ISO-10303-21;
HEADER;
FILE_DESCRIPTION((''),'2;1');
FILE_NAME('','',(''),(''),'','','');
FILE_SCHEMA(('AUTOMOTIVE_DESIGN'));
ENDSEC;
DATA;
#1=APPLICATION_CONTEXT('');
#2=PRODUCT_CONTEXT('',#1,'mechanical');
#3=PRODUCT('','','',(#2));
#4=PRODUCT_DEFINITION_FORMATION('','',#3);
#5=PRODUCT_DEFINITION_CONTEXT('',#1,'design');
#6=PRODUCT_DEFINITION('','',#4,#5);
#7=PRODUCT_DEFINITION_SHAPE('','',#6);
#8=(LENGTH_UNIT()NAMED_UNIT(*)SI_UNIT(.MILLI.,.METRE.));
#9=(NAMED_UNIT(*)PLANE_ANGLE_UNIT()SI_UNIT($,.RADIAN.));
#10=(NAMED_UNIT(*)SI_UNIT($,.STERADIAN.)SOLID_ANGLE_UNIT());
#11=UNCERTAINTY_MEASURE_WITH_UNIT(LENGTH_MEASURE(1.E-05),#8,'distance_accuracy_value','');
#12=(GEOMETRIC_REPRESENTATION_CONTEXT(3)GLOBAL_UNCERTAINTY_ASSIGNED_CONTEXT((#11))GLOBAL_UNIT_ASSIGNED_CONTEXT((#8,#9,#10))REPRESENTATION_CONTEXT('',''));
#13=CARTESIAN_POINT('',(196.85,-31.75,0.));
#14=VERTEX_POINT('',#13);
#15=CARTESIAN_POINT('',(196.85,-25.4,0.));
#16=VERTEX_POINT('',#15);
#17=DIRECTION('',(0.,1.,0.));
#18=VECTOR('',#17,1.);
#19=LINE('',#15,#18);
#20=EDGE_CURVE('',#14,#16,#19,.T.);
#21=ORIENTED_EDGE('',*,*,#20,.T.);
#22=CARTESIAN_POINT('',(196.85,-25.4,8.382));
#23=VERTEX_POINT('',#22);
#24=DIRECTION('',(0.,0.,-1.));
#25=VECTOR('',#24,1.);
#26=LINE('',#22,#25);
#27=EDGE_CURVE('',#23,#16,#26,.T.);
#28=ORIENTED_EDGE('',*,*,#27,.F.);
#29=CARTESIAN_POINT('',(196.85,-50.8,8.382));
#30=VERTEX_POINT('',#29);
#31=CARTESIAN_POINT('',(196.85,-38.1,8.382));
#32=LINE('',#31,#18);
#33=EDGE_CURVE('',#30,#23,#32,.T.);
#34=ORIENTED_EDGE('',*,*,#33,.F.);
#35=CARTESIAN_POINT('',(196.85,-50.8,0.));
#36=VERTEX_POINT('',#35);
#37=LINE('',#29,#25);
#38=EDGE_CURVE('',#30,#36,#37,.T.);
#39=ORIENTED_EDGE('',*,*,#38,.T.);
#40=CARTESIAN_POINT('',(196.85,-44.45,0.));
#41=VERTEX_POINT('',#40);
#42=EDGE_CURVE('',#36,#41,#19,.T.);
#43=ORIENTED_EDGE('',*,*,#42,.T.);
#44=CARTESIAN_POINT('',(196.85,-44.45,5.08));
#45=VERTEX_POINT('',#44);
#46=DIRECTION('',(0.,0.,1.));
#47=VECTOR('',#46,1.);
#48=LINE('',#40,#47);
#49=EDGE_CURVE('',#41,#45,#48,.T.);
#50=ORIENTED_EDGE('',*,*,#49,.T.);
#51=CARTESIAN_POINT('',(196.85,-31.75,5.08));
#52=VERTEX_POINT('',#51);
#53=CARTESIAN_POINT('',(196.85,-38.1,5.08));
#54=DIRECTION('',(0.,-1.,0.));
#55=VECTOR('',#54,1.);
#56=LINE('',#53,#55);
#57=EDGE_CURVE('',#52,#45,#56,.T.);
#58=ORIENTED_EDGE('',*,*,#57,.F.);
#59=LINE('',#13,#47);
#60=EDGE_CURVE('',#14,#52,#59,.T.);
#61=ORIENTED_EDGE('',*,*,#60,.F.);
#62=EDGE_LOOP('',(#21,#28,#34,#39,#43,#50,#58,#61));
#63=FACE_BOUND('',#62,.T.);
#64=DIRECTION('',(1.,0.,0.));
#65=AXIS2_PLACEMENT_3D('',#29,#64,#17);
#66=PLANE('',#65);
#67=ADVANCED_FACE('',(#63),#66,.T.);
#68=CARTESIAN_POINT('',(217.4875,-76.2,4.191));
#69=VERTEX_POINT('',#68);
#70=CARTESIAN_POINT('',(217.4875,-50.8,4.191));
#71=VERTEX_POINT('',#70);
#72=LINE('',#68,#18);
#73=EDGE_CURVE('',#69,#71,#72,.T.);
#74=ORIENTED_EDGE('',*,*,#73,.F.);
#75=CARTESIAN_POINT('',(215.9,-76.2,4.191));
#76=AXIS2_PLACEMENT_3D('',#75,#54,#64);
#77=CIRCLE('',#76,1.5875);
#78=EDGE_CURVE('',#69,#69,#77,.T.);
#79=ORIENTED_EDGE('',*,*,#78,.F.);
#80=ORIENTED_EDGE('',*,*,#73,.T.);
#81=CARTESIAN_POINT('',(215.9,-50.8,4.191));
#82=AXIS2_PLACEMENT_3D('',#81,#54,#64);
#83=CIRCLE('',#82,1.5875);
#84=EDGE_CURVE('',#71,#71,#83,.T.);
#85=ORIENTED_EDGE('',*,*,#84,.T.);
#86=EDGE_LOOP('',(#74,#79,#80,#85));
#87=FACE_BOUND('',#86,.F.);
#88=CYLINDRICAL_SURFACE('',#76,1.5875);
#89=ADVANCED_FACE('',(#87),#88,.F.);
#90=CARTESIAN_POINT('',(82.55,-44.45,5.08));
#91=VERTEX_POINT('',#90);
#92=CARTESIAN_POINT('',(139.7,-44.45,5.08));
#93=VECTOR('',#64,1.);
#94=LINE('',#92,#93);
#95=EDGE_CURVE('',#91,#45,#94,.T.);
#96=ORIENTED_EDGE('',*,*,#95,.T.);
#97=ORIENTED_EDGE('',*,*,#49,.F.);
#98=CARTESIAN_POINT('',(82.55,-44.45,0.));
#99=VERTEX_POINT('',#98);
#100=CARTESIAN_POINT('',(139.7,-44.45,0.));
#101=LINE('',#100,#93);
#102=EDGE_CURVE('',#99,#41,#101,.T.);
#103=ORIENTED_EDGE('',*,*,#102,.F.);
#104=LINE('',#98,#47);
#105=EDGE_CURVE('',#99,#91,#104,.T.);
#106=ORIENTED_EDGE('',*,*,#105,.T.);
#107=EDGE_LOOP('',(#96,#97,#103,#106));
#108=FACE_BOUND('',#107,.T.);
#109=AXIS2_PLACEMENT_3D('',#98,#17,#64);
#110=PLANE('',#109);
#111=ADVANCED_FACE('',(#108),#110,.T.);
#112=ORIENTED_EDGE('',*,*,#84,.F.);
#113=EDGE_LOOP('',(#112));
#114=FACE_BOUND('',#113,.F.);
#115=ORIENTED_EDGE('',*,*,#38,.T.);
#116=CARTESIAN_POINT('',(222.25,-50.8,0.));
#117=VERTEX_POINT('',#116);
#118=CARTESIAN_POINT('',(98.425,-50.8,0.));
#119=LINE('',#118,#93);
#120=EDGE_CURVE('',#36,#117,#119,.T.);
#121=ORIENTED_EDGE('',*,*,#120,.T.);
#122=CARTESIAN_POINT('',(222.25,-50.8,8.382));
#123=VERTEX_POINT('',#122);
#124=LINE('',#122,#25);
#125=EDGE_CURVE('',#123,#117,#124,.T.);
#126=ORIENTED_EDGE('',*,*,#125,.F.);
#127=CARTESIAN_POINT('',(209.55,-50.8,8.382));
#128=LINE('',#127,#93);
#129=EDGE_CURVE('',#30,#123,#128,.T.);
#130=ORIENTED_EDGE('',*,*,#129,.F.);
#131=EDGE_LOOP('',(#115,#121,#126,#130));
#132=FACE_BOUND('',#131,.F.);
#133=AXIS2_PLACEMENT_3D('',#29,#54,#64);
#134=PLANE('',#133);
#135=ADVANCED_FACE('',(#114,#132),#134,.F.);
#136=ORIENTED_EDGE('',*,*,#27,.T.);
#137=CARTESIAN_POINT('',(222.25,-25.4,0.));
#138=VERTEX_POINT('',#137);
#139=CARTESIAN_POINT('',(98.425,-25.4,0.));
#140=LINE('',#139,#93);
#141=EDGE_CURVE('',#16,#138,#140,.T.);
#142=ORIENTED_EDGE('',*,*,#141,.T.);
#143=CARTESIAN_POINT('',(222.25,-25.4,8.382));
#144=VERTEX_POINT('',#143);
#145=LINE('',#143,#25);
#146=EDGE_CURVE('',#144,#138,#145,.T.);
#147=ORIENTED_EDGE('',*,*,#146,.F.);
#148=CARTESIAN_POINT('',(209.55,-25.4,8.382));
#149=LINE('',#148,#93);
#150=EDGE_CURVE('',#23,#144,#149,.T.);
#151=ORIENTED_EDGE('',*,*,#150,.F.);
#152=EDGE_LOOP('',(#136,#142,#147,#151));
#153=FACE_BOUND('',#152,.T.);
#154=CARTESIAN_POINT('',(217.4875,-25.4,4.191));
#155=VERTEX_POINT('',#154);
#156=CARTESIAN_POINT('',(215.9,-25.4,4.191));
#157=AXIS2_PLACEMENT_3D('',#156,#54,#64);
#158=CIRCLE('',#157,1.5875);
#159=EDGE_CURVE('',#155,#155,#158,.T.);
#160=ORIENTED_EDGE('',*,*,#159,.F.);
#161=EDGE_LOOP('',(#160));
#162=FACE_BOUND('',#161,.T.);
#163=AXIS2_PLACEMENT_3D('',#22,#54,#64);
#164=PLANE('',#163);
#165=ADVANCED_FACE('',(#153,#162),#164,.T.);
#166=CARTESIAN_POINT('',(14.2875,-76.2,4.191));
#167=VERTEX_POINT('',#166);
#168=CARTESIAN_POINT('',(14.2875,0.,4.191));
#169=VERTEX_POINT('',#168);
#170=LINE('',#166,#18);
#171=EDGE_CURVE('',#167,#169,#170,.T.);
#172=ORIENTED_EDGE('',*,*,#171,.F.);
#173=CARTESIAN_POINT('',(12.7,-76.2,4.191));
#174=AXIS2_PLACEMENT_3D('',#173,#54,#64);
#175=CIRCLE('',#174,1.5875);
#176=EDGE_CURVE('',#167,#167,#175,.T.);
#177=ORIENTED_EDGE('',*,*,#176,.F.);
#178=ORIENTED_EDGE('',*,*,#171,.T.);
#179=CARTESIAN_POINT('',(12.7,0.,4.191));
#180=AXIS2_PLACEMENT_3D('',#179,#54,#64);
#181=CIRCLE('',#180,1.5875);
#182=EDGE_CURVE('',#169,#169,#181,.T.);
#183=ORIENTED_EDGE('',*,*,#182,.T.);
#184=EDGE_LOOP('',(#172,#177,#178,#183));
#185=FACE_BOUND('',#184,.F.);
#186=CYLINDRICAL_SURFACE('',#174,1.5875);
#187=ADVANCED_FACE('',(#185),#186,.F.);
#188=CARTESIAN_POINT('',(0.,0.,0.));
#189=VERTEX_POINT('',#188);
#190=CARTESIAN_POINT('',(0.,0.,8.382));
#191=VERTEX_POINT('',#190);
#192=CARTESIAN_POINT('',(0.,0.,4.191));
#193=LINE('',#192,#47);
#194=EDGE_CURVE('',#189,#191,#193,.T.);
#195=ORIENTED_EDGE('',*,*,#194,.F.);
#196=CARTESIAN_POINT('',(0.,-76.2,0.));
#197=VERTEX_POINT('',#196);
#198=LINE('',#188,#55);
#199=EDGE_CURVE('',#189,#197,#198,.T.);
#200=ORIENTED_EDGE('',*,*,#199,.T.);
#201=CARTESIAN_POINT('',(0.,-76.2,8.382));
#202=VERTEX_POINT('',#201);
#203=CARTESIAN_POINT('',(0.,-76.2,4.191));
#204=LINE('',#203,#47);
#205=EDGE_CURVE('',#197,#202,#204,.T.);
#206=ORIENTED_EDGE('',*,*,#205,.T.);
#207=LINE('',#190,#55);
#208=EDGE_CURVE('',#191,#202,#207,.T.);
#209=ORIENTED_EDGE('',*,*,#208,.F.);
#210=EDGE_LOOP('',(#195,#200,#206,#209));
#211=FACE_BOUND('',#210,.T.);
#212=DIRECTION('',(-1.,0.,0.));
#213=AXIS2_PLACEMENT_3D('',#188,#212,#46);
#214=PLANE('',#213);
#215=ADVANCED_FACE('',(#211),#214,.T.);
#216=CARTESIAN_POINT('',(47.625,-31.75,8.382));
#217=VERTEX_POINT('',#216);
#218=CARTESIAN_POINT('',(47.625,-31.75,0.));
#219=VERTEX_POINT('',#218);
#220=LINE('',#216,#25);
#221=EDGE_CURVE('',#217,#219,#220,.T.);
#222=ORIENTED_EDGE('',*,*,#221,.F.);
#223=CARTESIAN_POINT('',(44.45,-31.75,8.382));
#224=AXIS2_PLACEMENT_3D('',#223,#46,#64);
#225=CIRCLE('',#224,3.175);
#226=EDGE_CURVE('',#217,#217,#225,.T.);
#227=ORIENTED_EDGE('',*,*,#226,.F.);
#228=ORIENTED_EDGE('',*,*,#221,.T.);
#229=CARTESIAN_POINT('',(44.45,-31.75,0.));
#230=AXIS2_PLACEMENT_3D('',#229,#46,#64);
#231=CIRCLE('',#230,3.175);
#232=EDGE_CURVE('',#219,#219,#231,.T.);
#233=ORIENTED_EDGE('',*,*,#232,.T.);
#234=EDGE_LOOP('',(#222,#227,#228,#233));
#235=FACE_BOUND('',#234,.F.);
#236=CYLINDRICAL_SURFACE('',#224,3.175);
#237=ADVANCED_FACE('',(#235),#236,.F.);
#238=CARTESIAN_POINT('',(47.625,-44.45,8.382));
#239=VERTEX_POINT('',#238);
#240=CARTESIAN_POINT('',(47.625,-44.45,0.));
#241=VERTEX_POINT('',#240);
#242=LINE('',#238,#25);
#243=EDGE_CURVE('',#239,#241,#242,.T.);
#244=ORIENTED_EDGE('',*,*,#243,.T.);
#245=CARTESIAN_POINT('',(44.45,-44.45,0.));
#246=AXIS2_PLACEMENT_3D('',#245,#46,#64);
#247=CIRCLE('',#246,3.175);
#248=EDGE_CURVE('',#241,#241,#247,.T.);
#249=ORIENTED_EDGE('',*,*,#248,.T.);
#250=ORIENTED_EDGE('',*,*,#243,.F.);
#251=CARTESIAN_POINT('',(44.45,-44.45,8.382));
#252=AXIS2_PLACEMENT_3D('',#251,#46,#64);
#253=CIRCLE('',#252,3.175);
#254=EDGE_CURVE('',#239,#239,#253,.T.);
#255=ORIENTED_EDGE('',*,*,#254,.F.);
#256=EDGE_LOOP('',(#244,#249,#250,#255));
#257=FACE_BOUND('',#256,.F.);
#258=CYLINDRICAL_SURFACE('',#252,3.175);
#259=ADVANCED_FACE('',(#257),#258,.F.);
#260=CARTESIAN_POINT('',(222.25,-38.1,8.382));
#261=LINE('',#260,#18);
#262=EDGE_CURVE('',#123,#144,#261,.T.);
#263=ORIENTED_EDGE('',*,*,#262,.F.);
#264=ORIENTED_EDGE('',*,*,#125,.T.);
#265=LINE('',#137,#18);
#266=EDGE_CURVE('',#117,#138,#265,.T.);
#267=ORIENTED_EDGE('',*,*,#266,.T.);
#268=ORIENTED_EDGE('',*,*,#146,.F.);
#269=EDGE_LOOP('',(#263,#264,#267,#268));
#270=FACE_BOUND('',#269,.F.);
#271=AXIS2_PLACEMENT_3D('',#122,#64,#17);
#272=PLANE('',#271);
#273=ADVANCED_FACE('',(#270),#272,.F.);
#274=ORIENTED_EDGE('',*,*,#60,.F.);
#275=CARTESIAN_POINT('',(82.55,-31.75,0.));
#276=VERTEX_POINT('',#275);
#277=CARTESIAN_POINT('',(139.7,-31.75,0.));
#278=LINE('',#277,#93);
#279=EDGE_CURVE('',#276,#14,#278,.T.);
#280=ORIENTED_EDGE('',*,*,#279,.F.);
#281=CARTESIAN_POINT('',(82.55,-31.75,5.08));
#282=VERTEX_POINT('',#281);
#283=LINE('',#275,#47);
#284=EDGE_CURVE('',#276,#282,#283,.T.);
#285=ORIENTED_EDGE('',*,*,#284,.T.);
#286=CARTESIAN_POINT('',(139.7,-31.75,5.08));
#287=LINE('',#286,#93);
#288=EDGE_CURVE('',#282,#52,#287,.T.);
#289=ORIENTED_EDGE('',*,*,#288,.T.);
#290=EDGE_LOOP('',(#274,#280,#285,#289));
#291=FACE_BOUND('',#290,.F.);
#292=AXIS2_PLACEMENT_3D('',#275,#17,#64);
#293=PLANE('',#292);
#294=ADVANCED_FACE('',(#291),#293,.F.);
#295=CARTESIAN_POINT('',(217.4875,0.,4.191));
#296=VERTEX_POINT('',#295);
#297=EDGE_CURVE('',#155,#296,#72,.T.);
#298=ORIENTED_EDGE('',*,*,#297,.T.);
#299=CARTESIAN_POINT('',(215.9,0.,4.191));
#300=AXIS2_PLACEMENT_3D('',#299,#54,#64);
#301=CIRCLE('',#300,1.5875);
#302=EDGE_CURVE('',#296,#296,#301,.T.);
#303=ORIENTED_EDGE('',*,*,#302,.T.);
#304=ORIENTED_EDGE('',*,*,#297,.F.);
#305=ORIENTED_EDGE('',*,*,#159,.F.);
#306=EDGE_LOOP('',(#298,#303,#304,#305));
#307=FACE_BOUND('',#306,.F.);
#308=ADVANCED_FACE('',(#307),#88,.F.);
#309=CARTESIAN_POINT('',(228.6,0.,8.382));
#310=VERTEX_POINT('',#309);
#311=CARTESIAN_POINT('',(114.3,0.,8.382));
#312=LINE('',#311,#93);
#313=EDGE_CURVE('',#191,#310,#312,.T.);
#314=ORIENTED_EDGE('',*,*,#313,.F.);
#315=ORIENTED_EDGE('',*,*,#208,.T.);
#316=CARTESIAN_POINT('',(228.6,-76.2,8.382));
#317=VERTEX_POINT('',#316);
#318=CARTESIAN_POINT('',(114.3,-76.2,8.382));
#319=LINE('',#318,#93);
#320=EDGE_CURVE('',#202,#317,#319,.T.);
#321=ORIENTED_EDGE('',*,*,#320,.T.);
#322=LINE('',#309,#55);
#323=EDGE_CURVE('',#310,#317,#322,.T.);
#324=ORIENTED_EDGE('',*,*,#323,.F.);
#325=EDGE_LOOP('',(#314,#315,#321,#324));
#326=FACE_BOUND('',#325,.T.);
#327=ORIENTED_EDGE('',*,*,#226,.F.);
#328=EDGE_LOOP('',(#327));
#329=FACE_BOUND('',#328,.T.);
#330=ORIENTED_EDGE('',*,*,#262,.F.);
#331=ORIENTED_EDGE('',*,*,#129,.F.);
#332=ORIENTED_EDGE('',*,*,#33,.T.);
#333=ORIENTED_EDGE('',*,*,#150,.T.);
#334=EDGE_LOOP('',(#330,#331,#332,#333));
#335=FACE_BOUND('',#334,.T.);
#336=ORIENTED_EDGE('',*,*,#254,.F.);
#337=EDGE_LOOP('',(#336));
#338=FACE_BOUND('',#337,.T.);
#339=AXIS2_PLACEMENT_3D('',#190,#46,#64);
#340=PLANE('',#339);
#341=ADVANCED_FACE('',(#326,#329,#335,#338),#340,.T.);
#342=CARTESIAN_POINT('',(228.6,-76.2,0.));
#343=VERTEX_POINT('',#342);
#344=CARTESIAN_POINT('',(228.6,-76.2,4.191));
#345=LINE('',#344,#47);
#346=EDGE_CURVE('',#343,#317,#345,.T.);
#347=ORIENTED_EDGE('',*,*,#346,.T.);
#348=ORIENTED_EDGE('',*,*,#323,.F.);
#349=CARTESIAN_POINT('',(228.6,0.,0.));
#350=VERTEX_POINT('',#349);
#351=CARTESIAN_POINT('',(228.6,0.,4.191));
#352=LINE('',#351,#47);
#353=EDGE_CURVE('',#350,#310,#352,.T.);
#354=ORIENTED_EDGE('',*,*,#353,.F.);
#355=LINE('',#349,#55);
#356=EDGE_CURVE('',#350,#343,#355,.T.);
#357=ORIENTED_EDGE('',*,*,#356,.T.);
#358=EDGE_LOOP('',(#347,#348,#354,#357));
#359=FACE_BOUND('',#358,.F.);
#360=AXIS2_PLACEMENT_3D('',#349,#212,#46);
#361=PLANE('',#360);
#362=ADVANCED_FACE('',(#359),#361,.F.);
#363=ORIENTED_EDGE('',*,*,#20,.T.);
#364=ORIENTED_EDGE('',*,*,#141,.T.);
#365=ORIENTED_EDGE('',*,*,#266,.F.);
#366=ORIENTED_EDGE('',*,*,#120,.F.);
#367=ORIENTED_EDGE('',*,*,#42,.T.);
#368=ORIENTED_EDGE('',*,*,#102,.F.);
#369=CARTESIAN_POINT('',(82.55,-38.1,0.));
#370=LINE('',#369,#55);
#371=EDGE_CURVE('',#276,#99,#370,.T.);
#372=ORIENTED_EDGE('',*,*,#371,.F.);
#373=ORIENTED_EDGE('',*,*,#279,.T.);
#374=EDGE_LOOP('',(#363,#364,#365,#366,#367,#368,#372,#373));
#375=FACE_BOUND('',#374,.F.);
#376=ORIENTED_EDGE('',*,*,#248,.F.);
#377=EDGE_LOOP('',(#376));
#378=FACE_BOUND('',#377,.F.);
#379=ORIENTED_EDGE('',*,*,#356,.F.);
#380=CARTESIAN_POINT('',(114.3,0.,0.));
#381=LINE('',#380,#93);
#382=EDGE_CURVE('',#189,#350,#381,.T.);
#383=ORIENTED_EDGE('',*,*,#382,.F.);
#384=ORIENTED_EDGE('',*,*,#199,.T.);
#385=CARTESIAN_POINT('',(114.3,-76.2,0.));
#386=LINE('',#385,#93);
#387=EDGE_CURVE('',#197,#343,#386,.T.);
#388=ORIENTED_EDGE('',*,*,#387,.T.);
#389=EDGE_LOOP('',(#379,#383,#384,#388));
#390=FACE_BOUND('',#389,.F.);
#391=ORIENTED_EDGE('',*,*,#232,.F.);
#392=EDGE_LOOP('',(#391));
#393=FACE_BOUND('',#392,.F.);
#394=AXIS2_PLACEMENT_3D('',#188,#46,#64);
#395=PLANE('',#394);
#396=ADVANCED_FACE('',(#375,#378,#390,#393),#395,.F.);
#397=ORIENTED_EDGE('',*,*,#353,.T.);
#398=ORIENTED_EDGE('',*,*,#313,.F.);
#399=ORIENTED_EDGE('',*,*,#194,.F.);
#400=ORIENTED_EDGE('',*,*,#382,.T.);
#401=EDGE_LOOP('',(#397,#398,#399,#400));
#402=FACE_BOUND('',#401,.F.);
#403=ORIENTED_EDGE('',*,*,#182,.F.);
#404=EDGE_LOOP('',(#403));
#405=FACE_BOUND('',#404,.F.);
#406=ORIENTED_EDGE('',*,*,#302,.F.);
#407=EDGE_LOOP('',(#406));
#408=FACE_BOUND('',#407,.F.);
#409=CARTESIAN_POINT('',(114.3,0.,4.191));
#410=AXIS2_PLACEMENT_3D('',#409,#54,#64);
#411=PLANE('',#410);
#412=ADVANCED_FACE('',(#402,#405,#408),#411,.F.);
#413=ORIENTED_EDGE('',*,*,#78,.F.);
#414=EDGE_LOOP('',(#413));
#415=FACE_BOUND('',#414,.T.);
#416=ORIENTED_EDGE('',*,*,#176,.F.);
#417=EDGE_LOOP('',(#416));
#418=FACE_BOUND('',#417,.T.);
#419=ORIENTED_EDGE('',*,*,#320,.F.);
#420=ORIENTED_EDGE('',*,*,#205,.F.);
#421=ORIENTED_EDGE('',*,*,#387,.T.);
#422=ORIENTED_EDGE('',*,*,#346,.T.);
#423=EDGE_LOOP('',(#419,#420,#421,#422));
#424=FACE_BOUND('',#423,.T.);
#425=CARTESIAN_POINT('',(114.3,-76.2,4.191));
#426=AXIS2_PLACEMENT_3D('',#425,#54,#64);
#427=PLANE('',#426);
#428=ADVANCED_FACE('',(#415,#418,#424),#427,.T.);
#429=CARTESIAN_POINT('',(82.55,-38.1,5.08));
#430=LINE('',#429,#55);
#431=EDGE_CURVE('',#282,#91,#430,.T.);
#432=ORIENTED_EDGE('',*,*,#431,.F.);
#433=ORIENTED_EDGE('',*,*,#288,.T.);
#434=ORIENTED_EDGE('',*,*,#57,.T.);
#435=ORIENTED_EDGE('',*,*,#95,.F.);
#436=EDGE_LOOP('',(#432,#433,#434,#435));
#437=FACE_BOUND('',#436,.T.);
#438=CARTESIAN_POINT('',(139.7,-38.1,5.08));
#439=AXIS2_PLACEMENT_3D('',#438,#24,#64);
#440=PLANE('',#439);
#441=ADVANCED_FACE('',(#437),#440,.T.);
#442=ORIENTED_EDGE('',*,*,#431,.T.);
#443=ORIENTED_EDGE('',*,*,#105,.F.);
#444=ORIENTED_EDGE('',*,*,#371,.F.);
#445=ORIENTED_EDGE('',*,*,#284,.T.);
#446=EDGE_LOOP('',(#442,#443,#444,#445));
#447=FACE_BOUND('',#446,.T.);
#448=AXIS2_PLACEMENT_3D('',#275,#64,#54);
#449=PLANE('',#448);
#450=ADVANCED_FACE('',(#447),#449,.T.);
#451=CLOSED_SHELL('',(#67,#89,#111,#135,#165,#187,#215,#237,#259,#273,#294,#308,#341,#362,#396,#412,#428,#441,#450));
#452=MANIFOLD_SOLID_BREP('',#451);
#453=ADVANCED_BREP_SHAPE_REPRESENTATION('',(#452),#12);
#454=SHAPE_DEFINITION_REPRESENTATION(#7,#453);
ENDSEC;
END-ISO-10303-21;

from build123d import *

# Parameters (mm, degrees)
F0_W     = 228.6
F0_H     = 8.382
F1_DEPTH = 76.2
F2_R     = 1.5875
F3_DEPTH = 76.201
F4_W     = 25.4
F4_H     = 25.4
F4_R     = 3.175
F5_DEPTH = 8.383
F6_W     = 114.3
F6_H     = 12.7
F7_DEPTH = 5.08


with BuildPart() as f1:
    # F0 (on Front) → F1 (new body)
    with BuildSketch(Plane.XZ):
        with Locations((114.3, 4.191)):
            Rectangle(F0_W, F0_H)
    extrude(amount=F1_DEPTH)

    # F2 (on face) → F3 (cut, through all)
    with BuildSketch(Plane.XZ.offset(76.2)):
        with Locations((12.7, 4.191)):
            Circle(F2_R)
        with Locations((215.9, 4.191)):
            Circle(F2_R)
    extrude(amount=-F3_DEPTH, mode=Mode.SUBTRACT)

    # F4 (on face) → F5 (cut, through all)
    with BuildSketch(Plane.XY.offset(8.382)):
        with Locations((209.55, -38.1)):
            Rectangle(F4_W, F4_H)
        with Locations((44.45, -31.75)):
            Circle(F4_R)
        with Locations((44.45, -44.45)):
            Circle(F4_R)
    extrude(amount=-F5_DEPTH, mode=Mode.SUBTRACT)

    # F6 (on face) → F7 (cut)
    with BuildSketch(Plane(origin=(0, 0, 0), x_dir=(1, 0, 0), z_dir=(0, 0, -1))):
        with Locations((139.7, 38.1)):
            Rectangle(F6_W, F6_H)
    extrude(amount=-F7_DEPTH, mode=Mode.SUBTRACT)


solid = f1.part
